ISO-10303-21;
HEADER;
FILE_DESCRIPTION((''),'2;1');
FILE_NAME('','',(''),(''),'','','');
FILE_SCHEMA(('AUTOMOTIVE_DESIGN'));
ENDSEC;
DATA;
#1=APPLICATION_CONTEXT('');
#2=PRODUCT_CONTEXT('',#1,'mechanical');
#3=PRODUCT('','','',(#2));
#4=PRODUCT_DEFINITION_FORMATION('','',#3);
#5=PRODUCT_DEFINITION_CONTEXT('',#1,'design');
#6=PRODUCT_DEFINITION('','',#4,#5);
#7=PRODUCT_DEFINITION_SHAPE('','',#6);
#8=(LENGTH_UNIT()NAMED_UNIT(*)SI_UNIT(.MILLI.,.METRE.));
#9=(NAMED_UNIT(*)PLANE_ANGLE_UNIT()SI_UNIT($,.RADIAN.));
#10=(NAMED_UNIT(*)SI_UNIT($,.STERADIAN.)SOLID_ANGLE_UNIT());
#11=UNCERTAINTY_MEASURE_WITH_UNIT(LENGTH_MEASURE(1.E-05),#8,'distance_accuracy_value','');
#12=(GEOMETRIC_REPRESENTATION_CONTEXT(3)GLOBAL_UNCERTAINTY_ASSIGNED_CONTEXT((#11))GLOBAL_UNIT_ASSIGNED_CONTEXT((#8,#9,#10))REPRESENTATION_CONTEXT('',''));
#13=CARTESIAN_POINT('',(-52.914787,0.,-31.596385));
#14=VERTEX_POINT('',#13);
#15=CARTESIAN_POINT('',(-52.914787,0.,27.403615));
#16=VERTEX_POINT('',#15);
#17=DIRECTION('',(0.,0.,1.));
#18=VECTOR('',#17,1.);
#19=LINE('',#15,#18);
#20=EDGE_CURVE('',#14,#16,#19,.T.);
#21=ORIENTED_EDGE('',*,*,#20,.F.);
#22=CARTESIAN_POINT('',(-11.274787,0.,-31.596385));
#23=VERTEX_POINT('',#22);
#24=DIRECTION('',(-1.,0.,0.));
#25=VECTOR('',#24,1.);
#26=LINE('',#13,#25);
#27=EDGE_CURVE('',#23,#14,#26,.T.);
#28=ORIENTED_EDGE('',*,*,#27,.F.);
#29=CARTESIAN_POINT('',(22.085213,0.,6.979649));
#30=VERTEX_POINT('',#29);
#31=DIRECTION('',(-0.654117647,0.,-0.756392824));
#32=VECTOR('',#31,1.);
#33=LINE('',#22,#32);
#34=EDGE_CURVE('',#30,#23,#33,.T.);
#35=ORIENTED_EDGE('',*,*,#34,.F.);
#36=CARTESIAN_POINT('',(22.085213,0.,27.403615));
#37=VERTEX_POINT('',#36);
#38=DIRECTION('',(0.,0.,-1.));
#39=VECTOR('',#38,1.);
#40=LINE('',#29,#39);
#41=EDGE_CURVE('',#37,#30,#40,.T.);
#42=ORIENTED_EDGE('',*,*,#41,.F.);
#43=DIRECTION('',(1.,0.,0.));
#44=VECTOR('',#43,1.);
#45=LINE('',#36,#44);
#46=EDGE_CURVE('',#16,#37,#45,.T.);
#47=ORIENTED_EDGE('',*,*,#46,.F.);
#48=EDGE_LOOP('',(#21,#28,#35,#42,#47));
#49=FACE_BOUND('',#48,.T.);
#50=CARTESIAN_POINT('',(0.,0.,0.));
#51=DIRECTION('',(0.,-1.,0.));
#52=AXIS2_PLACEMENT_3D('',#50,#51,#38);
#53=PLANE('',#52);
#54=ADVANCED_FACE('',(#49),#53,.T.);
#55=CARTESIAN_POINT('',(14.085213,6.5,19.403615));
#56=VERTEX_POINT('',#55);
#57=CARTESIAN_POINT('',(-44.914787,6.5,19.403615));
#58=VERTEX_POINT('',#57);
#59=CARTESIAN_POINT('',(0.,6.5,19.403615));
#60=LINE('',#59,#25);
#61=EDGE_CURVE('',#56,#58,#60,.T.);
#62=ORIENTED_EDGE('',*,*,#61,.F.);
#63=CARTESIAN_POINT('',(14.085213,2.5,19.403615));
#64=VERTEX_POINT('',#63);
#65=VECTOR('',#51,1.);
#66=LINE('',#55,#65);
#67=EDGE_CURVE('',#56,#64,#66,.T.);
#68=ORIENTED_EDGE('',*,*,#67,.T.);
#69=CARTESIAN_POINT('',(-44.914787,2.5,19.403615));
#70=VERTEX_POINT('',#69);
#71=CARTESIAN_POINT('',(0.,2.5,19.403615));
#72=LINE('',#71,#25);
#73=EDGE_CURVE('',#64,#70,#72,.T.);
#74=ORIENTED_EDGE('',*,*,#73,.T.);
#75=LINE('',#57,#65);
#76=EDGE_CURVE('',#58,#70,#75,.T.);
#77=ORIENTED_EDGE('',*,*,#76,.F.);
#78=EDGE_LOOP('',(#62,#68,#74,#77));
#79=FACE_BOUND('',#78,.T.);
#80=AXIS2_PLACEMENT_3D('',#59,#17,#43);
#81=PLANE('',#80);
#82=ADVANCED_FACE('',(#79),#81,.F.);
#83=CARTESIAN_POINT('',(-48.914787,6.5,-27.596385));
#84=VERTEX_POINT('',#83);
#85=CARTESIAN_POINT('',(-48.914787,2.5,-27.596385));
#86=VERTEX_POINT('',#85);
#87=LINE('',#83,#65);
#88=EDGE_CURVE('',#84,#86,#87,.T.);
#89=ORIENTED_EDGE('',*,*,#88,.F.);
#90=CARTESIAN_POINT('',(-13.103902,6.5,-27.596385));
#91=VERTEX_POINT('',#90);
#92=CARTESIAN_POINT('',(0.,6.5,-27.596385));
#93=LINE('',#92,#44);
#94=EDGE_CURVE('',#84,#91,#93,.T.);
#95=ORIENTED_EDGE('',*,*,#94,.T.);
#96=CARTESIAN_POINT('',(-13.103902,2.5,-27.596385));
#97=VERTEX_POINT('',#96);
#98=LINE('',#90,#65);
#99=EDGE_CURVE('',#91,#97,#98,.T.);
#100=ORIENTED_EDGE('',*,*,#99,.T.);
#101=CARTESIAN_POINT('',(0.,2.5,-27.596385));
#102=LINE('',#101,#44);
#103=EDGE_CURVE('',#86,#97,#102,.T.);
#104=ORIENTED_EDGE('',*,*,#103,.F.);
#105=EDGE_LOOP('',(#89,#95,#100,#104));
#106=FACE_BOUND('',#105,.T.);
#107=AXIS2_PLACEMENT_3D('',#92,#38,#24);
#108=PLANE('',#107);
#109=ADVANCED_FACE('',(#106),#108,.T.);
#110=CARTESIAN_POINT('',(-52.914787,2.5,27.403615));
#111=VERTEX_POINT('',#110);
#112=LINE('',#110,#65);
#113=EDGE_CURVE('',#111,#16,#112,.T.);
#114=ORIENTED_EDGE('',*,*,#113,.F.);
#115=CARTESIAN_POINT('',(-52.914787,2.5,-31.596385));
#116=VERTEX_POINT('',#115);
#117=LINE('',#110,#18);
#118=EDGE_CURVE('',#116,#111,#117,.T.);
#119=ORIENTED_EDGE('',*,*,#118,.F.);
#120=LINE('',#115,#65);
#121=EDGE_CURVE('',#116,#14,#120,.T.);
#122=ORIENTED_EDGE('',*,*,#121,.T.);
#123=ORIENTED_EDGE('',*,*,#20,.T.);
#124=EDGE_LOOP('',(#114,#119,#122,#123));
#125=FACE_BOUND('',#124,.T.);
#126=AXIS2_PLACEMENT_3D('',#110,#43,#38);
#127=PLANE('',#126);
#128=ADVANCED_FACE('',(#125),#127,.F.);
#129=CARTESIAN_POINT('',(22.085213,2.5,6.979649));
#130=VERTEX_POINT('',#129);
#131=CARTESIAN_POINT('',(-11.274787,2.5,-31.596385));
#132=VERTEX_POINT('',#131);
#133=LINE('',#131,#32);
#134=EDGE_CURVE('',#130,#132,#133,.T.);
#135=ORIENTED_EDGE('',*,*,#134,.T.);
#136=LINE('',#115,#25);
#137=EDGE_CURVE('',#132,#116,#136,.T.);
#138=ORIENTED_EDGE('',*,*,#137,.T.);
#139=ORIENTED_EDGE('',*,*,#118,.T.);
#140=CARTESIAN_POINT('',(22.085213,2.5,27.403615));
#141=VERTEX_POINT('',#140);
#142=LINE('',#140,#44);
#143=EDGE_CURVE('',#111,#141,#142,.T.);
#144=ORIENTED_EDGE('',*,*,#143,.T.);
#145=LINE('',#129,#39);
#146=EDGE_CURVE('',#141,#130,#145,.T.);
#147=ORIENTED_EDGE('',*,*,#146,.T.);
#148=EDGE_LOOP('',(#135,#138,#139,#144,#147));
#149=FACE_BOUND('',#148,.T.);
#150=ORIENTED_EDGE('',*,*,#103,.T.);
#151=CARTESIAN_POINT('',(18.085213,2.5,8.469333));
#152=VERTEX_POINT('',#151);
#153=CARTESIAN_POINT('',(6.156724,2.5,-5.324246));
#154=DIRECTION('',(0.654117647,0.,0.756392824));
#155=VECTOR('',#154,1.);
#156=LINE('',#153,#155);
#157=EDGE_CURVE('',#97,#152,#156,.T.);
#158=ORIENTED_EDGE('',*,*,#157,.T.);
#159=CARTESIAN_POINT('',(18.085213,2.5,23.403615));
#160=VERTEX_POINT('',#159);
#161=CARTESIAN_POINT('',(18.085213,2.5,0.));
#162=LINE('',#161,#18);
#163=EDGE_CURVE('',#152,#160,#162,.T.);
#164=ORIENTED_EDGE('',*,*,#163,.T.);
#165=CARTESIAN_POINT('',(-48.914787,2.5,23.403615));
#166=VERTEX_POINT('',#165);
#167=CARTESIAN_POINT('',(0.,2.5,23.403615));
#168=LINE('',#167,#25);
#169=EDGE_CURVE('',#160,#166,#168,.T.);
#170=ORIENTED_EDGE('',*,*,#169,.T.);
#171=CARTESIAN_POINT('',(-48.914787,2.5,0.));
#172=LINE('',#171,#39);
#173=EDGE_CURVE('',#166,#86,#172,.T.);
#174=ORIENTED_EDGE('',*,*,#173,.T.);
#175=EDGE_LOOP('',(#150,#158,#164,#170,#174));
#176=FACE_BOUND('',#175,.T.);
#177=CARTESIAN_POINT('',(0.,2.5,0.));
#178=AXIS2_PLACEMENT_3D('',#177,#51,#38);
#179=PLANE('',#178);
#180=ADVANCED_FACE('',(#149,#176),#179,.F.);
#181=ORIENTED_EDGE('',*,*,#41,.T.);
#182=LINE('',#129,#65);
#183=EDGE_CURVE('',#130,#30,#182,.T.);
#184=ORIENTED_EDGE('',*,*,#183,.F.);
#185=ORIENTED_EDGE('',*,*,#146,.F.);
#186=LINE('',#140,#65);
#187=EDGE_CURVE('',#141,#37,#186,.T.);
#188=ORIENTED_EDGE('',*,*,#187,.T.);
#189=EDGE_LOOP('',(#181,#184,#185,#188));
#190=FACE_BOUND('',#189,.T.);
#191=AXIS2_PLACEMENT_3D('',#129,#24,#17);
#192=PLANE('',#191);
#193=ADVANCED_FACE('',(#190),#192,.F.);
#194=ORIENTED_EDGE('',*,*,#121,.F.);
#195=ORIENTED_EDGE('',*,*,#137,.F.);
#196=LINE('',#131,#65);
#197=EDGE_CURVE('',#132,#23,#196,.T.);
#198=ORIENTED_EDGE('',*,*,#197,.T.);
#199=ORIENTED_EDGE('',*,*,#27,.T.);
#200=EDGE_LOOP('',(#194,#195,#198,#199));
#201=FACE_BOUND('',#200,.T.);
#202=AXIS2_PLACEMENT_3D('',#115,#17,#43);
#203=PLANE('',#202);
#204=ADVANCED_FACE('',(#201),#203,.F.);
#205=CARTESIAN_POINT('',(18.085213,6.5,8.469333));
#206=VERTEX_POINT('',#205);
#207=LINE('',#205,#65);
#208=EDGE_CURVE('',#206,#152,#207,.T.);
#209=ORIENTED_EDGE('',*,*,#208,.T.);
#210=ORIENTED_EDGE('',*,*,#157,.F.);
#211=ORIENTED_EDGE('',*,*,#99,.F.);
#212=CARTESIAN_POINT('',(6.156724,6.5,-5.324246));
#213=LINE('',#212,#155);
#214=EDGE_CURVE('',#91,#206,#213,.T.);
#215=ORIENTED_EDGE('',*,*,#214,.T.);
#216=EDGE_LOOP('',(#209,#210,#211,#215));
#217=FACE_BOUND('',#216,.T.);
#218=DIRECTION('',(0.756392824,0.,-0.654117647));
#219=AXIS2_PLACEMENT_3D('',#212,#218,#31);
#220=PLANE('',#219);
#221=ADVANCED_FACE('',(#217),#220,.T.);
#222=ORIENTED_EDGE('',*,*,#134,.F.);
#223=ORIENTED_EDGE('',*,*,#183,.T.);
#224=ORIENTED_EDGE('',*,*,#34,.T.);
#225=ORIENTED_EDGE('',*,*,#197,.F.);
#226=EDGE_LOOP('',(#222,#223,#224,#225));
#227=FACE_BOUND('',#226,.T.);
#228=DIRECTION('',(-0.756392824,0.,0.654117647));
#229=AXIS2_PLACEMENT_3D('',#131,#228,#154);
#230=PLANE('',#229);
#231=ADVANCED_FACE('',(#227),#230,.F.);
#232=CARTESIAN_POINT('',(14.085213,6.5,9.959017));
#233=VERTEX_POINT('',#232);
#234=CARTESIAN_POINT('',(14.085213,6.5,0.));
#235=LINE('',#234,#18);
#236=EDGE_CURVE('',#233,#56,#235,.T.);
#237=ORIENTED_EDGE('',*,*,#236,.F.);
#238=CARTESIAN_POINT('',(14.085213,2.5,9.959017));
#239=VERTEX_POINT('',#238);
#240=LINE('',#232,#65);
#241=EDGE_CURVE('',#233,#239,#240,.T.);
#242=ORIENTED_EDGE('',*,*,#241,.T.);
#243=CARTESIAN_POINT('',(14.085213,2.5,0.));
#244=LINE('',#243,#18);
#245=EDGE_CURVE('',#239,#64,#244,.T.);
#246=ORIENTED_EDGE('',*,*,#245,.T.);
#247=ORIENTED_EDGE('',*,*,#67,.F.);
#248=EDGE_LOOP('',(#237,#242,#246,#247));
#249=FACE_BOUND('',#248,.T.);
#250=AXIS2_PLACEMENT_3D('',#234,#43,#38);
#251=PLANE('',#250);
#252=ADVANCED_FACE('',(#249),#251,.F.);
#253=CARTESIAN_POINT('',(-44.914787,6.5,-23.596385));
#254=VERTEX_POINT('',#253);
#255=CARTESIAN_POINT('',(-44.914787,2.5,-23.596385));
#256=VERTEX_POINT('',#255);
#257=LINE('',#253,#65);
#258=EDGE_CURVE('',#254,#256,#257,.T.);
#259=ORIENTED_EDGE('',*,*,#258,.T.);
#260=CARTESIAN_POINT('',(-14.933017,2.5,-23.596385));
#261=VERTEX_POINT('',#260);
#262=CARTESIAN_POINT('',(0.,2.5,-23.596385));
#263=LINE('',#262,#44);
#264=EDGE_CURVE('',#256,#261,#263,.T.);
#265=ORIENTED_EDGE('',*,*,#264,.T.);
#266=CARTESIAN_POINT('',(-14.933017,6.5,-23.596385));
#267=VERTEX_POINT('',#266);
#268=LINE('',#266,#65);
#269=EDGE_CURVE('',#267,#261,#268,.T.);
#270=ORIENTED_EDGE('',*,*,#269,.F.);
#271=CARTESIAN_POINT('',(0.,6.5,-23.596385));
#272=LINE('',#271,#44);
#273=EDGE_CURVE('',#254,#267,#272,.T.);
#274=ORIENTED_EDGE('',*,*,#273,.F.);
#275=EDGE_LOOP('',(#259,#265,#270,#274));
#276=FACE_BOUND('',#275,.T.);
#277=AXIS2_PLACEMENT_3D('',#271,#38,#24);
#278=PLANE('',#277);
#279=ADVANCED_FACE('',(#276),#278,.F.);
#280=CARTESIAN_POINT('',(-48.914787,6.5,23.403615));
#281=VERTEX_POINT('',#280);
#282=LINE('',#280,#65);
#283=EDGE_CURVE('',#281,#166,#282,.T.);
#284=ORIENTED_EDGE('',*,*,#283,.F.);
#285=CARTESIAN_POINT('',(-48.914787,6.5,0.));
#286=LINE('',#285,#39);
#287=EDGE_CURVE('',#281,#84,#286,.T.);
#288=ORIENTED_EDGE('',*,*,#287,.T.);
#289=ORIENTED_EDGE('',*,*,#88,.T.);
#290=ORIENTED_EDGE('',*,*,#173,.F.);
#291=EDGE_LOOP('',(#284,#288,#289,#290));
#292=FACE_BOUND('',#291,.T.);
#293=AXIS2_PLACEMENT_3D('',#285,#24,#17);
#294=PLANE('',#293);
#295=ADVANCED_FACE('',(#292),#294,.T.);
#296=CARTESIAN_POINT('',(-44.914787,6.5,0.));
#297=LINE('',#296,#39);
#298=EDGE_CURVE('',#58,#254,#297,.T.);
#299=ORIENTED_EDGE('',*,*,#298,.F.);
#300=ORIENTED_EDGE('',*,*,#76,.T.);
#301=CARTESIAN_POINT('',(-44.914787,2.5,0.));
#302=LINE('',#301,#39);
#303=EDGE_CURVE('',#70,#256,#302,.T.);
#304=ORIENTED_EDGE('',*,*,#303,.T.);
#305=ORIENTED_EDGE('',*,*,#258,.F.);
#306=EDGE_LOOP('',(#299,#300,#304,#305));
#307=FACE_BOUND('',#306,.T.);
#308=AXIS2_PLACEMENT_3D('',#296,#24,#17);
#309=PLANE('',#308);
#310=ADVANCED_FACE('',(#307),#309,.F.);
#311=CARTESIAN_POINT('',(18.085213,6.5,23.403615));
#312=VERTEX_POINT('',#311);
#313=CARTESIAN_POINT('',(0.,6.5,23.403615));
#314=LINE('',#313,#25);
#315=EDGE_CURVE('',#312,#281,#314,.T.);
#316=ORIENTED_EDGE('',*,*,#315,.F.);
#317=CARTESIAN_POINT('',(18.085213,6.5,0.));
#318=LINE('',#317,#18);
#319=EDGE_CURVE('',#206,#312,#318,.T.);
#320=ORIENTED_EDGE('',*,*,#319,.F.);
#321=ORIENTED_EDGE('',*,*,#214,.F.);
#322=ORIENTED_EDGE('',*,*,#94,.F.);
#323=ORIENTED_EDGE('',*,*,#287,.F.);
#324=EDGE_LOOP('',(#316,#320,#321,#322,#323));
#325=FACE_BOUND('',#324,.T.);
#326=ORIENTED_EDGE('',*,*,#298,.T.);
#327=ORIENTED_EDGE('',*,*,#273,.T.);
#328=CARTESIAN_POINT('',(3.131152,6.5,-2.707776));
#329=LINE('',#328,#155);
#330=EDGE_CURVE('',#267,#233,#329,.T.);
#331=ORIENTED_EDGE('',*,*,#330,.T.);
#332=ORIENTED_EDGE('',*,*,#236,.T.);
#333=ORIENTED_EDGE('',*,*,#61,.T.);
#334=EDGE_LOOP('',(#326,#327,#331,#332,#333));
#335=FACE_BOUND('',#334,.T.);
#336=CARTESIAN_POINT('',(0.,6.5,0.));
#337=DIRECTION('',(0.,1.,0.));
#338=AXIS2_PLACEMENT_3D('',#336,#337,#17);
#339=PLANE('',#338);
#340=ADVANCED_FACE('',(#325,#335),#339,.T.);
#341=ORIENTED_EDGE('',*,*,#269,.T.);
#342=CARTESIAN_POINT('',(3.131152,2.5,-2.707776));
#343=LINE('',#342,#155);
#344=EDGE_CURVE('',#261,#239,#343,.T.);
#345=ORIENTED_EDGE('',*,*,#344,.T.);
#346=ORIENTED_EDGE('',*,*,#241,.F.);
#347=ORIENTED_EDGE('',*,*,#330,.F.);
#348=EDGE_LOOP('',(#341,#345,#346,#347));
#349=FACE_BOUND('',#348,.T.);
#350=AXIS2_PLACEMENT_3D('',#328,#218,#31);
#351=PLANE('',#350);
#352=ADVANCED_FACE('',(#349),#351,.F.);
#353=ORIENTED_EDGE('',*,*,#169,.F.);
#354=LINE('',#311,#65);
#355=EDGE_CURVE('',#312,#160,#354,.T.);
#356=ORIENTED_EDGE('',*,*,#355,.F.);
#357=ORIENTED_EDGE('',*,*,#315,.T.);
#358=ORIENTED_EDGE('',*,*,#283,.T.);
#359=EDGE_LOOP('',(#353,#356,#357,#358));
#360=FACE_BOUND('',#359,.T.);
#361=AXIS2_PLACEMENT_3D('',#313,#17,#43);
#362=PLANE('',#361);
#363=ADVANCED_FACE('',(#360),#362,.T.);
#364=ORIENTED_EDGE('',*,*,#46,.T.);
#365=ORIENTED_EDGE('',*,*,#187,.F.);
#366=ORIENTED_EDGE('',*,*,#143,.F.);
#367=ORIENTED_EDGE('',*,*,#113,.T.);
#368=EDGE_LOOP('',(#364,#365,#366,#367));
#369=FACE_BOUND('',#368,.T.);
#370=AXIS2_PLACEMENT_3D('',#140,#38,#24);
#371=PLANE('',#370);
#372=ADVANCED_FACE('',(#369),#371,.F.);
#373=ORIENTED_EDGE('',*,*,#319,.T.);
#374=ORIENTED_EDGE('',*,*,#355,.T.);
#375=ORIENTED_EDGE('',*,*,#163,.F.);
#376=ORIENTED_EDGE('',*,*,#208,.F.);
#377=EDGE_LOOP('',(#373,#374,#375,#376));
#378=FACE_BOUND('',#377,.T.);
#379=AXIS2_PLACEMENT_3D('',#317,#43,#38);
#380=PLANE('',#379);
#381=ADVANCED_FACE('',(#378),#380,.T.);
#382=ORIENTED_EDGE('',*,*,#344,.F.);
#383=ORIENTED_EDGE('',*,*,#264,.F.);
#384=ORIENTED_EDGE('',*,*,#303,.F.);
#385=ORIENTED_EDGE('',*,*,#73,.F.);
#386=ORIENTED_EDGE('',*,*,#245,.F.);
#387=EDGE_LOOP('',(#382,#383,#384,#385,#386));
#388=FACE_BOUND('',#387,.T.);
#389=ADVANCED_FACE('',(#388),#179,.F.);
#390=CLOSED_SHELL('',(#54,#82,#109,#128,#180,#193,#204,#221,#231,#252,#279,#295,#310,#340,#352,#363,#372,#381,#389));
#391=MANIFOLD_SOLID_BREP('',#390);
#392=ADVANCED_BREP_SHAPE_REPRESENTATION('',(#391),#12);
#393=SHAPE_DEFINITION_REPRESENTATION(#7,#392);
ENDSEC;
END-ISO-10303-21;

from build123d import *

# Parameters (mm, degrees)
BOSS_EXTRUDE2_DEPTH = 2.5
BOSS_EXTRUDE3_DEPTH = 4


with BuildPart() as part:
    # Sketch1 → Boss-Extrude2 (new body)
    with BuildSketch(Plane(origin=(0, 0, 0), x_dir=(1, 0, 0), z_dir=(0, 1, 0))):
        Polygon((-52.914786993, 31.596385048), (-11.274786993, 31.596385048), (22.085213007, -6.979648962), (22.085213007, -27.403614952), (-52.914786993, -27.403614952), align=None)
    extrude(amount=BOSS_EXTRUDE2_DEPTH)

    # Sketch2 → Boss-Extrude3 (add)
    with BuildSketch(Plane(origin=(0, 2.5, 0), x_dir=(1, 0, 0), z_dir=(0, 1, 0))):
        Polygon((18.085213007, -23.403614952), (-48.914786993, -23.403614952), (-48.914786993, 27.596385048), (-13.10390193, 27.596385048), (18.085213007, -8.469333134), align=None)
        Polygon((14.085213007, -19.403614952), (-44.914786993, -19.403614952), (-44.914786993, 23.596385048), (-14.933016866, 23.596385048), (14.085213007, -9.959017305), align=None, mode=Mode.SUBTRACT)
    extrude(amount=BOSS_EXTRUDE3_DEPTH)


solid = part.part
